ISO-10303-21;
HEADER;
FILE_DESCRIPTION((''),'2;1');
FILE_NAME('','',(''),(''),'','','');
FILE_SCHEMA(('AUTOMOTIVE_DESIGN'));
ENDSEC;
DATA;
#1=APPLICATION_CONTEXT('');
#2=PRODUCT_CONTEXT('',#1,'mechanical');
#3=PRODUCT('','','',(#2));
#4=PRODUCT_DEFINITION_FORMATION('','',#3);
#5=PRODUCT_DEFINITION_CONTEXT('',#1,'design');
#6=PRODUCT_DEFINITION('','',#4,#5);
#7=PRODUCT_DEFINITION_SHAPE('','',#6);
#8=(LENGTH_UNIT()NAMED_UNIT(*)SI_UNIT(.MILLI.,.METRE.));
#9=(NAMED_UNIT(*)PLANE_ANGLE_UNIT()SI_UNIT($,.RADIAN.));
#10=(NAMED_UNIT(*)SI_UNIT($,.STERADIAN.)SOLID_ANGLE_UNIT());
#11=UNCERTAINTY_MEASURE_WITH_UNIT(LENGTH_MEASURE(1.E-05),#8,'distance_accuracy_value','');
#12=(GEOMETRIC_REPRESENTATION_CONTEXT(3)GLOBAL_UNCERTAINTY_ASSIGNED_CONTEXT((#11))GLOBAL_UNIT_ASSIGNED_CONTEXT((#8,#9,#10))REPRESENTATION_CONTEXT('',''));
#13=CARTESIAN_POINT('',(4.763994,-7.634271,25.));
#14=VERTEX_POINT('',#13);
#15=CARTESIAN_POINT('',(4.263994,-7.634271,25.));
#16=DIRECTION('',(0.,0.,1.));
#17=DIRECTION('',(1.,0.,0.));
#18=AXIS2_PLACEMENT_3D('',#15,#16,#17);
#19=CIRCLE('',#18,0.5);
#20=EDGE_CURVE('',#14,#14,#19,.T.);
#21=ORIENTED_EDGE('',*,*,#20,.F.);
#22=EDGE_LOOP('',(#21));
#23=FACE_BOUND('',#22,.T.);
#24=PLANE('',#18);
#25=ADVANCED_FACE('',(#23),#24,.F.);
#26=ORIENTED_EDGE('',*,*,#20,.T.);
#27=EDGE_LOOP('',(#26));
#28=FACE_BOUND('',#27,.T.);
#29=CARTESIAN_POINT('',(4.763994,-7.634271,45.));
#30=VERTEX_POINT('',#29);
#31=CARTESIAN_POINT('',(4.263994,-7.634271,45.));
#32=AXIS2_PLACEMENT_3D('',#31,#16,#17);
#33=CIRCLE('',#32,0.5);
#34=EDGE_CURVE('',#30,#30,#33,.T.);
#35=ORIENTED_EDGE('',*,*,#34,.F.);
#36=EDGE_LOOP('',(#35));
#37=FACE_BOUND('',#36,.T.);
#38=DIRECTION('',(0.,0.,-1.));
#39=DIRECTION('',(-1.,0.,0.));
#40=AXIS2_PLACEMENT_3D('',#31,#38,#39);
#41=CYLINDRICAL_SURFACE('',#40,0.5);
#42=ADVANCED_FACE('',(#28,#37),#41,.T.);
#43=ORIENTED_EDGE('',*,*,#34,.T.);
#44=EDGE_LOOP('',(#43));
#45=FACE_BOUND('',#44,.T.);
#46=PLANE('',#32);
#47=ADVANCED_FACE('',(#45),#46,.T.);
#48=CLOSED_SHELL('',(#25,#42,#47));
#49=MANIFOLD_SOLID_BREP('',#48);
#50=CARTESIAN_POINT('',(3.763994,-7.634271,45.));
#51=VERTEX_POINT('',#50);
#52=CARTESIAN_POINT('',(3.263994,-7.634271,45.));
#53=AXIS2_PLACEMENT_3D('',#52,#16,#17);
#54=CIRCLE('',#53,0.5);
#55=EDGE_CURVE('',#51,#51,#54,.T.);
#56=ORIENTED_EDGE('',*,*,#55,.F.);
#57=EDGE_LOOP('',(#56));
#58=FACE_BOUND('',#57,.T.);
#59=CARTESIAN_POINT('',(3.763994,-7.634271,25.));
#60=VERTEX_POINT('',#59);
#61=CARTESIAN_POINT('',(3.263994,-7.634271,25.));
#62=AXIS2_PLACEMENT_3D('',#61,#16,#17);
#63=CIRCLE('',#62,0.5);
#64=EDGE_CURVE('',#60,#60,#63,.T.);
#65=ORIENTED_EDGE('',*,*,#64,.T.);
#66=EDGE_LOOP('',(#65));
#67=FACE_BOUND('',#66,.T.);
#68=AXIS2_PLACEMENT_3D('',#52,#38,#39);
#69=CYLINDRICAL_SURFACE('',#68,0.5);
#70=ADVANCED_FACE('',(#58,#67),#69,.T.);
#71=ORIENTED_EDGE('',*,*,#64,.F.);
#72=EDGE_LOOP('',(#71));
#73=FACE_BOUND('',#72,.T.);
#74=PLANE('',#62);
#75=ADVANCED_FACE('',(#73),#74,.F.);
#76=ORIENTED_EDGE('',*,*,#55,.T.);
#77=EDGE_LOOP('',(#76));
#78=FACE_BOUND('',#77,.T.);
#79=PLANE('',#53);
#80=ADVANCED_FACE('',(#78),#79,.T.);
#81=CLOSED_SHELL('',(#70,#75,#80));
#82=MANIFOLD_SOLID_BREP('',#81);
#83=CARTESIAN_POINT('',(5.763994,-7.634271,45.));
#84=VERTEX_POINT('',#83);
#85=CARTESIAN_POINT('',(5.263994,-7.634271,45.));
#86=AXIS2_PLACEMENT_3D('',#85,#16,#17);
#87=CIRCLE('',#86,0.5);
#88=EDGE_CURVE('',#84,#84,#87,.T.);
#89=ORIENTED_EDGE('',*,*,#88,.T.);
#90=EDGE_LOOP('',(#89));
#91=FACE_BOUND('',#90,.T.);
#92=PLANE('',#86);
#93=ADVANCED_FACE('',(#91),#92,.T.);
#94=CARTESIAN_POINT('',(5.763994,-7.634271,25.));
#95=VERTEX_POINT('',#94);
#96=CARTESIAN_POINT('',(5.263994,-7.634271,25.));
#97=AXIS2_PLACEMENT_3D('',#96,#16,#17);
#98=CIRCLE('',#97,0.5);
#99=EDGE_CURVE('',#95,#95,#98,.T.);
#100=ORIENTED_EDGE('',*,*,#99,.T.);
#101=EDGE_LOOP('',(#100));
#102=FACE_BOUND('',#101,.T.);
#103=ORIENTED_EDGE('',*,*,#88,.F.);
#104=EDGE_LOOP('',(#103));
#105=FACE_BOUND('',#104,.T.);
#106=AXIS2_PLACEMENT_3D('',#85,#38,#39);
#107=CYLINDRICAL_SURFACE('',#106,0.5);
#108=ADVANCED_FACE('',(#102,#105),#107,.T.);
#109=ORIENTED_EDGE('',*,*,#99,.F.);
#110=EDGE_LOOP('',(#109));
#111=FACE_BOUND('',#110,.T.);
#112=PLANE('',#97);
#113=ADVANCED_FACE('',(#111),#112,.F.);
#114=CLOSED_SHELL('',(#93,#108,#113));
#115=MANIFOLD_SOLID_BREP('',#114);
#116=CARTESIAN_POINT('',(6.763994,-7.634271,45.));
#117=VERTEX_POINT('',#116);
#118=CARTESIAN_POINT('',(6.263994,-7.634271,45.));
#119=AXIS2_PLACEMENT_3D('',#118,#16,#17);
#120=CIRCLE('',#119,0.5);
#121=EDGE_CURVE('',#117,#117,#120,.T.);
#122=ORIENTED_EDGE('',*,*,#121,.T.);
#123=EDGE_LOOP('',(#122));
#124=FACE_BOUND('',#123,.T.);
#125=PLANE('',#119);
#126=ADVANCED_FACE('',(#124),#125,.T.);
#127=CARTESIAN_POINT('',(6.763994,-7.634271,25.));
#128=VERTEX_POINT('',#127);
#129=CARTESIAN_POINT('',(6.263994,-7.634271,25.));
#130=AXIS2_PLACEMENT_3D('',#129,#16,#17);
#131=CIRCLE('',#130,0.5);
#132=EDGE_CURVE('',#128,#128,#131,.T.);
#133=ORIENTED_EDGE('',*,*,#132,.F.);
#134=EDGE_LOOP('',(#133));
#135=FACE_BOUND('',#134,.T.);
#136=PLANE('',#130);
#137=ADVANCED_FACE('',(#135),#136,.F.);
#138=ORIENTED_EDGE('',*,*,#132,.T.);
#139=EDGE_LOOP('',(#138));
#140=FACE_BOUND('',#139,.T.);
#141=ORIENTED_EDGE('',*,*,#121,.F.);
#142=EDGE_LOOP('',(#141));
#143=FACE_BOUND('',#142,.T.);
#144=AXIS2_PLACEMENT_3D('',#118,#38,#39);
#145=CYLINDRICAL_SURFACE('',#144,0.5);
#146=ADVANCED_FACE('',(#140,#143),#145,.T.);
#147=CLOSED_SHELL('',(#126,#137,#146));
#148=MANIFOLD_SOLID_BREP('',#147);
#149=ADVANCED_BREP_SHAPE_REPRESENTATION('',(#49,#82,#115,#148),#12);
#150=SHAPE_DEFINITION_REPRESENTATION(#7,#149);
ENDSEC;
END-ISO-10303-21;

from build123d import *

# Parameters (mm, degrees)
ESQUISSE1_R                  = 0.5
BOSS_EXTRU_1_DEPTH           = 10
R_P_TITION_LIN_AIRE1_COUNT   = 3
R_P_TITION_LIN_AIRE1_PITCH   = 1
R_P_TITION_LIN_AIRE1_2_COUNT = 2
R_P_TITION_LIN_AIRE1_2_PITCH = 1


with BuildPart() as part:
    # Esquisse1 → Boss.-Extru.1 (new, symmetric)
    with BuildSketch(Plane.XY.offset(35)):
        with Locations((4.263994142, -7.634270778)):
            Circle(ESQUISSE1_R)
    extrude(amount=BOSS_EXTRU_1_DEPTH, both=True)


with BuildPart() as r_p_tition_lin_aire1_1:
    # Répétition linéaire1: pattern copy
    add(part.part.moved(Location(Vector(1, 0, 0) * (1 * R_P_TITION_LIN_AIRE1_PITCH))))


with BuildPart() as r_p_tition_lin_aire1_2:
    # Répétition linéaire1: pattern copy
    add(part.part.moved(Location(Vector(1, 0, 0) * (2 * R_P_TITION_LIN_AIRE1_PITCH))))


with BuildPart() as r_p_tition_lin_aire1_2_1:
    # R_p_tition lin_aire1 2: pattern copy
    add(part.part.moved(Location(Vector(-1, 0, 0) * (1 * R_P_TITION_LIN_AIRE1_2_PITCH))))


solid = Compound([part.part, r_p_tition_lin_aire1_1.part, r_p_tition_lin_aire1_2.part, r_p_tition_lin_aire1_2_1.part])
